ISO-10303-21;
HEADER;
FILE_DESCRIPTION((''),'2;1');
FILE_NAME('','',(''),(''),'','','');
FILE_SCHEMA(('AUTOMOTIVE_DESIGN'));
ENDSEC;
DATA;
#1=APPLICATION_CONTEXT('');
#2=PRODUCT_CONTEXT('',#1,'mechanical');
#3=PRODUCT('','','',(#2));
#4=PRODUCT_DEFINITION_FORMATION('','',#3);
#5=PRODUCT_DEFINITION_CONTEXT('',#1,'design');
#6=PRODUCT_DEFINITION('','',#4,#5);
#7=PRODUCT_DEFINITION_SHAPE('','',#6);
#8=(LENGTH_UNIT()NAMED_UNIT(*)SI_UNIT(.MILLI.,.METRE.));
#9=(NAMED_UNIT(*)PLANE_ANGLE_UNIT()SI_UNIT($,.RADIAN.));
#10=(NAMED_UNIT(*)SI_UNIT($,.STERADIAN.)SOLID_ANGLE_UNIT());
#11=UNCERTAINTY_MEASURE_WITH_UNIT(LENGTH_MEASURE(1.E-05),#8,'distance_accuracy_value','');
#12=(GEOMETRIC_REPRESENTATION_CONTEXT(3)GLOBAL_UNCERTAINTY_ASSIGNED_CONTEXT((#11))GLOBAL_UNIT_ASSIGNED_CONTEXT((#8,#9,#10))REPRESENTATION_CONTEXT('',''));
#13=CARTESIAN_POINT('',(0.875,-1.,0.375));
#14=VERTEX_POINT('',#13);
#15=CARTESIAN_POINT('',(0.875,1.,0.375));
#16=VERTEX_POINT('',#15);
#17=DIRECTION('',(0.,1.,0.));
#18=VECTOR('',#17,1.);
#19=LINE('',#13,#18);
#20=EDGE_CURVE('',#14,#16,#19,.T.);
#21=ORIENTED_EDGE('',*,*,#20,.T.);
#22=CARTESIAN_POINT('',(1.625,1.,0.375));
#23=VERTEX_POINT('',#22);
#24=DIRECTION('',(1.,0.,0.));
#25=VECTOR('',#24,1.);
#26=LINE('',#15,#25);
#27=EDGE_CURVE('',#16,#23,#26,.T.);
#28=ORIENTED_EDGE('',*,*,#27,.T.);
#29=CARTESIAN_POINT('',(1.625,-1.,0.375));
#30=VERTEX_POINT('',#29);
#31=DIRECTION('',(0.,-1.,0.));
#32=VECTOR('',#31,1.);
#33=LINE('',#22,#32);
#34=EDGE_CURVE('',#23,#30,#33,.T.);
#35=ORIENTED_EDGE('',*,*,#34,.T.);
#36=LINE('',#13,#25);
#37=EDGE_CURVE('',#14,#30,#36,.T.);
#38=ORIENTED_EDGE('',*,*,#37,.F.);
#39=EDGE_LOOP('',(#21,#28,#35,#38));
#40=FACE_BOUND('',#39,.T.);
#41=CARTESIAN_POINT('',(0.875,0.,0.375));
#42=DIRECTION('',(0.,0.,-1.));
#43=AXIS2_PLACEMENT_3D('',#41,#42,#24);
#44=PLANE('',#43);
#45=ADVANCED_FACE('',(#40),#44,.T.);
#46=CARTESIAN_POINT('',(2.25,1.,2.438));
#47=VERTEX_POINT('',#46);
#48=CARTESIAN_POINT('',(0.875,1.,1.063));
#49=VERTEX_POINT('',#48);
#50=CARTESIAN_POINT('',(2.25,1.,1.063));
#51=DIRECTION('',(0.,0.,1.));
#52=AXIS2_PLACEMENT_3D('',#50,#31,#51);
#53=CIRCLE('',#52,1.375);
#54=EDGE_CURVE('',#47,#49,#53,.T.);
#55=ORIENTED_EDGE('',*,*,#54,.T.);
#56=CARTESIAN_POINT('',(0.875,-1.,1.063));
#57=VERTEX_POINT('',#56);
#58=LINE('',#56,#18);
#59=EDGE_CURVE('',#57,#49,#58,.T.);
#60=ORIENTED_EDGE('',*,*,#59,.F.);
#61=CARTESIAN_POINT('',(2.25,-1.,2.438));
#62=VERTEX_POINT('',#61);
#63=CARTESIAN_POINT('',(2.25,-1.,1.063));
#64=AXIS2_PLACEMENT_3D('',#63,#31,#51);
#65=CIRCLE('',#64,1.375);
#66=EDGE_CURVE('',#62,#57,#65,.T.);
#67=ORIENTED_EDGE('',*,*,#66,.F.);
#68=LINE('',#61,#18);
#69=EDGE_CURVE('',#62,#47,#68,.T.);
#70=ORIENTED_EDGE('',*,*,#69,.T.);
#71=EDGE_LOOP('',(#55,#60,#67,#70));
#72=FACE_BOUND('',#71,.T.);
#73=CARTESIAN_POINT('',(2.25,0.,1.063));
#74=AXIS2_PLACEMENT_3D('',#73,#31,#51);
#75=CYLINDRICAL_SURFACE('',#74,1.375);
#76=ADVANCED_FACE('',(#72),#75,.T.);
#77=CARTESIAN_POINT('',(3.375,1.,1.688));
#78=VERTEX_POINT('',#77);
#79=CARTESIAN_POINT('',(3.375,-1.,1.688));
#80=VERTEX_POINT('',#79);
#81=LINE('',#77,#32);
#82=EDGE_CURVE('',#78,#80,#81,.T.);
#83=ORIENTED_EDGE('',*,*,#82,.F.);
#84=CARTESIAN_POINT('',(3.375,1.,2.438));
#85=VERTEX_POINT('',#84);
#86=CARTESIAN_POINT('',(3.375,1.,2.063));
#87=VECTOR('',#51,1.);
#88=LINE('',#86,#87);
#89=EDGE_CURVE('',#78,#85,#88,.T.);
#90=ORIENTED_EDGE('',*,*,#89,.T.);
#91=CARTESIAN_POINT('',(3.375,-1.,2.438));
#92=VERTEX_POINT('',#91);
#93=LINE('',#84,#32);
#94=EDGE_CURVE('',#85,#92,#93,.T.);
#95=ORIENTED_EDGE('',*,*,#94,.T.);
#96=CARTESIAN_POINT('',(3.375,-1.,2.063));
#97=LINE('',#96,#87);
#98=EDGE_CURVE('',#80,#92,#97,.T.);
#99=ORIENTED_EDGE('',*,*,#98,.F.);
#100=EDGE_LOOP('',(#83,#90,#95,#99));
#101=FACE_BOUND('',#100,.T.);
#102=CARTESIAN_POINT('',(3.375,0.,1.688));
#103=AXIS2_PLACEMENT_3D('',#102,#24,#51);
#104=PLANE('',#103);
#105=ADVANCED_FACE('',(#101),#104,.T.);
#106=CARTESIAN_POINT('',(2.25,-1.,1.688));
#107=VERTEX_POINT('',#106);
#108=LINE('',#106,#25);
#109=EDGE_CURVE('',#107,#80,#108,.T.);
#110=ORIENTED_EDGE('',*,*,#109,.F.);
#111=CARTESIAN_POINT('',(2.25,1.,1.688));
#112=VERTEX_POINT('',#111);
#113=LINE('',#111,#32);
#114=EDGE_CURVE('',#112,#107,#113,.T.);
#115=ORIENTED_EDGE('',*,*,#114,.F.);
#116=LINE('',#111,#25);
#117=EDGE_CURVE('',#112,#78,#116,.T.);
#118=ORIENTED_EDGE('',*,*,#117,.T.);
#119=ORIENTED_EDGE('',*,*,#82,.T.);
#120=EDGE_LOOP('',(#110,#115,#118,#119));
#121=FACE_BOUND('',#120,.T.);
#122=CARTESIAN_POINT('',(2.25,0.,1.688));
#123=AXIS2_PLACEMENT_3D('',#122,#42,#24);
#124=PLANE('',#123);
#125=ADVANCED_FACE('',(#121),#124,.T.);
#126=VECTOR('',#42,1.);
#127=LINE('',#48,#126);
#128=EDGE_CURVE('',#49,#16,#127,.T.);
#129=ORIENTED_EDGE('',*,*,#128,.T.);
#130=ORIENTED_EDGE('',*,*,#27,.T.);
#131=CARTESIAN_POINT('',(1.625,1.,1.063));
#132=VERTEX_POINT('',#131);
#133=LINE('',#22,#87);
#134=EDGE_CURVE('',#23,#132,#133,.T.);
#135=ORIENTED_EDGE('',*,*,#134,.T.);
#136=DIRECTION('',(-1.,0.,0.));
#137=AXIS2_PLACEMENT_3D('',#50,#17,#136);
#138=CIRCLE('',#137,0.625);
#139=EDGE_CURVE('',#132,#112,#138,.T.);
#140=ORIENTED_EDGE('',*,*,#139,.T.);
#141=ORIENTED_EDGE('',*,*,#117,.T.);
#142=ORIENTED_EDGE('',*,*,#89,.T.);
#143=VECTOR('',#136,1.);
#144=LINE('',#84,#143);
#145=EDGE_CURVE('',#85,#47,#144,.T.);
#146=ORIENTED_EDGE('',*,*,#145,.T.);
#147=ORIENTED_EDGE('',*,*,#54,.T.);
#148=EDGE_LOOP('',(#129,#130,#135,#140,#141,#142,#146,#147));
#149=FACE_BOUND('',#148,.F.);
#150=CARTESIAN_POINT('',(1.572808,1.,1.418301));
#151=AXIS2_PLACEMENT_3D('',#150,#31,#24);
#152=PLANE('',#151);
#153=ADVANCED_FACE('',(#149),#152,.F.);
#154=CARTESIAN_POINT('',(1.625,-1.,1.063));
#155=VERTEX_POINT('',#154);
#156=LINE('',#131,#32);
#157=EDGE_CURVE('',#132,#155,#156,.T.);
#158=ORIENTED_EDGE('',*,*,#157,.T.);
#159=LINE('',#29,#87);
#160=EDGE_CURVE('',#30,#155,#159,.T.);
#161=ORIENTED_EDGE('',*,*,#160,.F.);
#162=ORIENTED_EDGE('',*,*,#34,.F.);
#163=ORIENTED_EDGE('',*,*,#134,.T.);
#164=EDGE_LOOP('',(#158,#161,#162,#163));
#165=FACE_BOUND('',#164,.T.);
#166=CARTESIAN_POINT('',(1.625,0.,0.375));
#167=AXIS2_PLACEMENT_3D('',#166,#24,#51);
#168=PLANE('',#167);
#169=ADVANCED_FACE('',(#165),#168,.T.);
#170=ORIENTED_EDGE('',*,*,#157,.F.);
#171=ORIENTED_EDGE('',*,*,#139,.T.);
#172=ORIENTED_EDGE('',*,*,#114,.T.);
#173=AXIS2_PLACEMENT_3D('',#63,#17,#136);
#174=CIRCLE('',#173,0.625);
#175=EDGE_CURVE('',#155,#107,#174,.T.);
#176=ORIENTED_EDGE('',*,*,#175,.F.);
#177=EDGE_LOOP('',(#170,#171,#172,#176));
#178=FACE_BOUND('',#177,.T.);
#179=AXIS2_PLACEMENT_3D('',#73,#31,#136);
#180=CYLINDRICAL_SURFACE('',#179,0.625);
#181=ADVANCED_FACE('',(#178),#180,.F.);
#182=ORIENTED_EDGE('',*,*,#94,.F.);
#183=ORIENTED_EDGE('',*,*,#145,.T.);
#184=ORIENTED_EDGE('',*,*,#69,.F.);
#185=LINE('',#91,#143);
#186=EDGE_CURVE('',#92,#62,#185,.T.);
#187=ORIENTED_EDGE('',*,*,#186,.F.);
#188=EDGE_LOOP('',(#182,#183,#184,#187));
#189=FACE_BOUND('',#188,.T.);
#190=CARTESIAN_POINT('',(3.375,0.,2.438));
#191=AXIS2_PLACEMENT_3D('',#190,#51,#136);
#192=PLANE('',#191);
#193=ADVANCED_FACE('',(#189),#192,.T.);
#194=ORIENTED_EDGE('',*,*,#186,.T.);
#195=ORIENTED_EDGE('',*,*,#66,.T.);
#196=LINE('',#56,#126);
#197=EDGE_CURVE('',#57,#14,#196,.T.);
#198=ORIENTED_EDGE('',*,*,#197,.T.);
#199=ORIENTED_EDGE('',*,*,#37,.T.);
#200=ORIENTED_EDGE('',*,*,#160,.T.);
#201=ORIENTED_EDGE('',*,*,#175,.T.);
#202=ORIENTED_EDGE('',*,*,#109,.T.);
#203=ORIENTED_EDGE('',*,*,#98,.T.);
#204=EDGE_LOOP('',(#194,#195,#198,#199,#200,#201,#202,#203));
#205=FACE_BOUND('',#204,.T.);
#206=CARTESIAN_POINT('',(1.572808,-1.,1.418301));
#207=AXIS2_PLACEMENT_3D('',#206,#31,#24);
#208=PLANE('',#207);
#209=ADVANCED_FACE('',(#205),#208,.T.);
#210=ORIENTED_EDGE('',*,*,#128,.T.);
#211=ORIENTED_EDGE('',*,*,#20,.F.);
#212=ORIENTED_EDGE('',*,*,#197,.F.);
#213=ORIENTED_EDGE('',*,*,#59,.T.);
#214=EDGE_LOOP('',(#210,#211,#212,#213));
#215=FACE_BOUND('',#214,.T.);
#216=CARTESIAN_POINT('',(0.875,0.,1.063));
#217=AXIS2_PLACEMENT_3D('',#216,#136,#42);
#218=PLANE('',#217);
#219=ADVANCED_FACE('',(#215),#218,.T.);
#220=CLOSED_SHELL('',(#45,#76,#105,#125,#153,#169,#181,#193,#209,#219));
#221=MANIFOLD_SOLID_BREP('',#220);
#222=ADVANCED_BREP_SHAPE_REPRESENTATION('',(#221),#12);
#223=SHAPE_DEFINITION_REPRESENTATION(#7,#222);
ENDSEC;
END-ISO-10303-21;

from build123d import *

# Parameters (mm, degrees)
F0_W     = 1
F0_H     = 0.75
F1_DEPTH = 1


with BuildPart() as f1:
    # F0 (on Front) → F1 (new body, symmetric)
    with BuildSketch(Plane.XZ):
        with BuildLine():
            Line((0.875, 0.375), (1.625, 0.375))
            Line((1.625, 0.375), (1.625, 1.063))
            ThreePointArc((1.625, 1.063), (1.8080582618, 1.5049417382), (2.25, 1.688))
            Line((2.25, 1.688), (2.375, 1.688))
            Line((2.375, 1.688), (2.375, 2.438))
            Line((2.375, 2.438), (2.25, 2.438))
            ThreePointArc((2.25, 2.438), (1.2777281759, 2.0352718241), (0.875, 1.063))
            Line((0.875, 1.063), (0.875, 0.375))
        make_face()
        with Locations((2.875, 2.063)):
            Rectangle(F0_W, F0_H)
    extrude(amount=F1_DEPTH, both=True)


solid = f1.part
